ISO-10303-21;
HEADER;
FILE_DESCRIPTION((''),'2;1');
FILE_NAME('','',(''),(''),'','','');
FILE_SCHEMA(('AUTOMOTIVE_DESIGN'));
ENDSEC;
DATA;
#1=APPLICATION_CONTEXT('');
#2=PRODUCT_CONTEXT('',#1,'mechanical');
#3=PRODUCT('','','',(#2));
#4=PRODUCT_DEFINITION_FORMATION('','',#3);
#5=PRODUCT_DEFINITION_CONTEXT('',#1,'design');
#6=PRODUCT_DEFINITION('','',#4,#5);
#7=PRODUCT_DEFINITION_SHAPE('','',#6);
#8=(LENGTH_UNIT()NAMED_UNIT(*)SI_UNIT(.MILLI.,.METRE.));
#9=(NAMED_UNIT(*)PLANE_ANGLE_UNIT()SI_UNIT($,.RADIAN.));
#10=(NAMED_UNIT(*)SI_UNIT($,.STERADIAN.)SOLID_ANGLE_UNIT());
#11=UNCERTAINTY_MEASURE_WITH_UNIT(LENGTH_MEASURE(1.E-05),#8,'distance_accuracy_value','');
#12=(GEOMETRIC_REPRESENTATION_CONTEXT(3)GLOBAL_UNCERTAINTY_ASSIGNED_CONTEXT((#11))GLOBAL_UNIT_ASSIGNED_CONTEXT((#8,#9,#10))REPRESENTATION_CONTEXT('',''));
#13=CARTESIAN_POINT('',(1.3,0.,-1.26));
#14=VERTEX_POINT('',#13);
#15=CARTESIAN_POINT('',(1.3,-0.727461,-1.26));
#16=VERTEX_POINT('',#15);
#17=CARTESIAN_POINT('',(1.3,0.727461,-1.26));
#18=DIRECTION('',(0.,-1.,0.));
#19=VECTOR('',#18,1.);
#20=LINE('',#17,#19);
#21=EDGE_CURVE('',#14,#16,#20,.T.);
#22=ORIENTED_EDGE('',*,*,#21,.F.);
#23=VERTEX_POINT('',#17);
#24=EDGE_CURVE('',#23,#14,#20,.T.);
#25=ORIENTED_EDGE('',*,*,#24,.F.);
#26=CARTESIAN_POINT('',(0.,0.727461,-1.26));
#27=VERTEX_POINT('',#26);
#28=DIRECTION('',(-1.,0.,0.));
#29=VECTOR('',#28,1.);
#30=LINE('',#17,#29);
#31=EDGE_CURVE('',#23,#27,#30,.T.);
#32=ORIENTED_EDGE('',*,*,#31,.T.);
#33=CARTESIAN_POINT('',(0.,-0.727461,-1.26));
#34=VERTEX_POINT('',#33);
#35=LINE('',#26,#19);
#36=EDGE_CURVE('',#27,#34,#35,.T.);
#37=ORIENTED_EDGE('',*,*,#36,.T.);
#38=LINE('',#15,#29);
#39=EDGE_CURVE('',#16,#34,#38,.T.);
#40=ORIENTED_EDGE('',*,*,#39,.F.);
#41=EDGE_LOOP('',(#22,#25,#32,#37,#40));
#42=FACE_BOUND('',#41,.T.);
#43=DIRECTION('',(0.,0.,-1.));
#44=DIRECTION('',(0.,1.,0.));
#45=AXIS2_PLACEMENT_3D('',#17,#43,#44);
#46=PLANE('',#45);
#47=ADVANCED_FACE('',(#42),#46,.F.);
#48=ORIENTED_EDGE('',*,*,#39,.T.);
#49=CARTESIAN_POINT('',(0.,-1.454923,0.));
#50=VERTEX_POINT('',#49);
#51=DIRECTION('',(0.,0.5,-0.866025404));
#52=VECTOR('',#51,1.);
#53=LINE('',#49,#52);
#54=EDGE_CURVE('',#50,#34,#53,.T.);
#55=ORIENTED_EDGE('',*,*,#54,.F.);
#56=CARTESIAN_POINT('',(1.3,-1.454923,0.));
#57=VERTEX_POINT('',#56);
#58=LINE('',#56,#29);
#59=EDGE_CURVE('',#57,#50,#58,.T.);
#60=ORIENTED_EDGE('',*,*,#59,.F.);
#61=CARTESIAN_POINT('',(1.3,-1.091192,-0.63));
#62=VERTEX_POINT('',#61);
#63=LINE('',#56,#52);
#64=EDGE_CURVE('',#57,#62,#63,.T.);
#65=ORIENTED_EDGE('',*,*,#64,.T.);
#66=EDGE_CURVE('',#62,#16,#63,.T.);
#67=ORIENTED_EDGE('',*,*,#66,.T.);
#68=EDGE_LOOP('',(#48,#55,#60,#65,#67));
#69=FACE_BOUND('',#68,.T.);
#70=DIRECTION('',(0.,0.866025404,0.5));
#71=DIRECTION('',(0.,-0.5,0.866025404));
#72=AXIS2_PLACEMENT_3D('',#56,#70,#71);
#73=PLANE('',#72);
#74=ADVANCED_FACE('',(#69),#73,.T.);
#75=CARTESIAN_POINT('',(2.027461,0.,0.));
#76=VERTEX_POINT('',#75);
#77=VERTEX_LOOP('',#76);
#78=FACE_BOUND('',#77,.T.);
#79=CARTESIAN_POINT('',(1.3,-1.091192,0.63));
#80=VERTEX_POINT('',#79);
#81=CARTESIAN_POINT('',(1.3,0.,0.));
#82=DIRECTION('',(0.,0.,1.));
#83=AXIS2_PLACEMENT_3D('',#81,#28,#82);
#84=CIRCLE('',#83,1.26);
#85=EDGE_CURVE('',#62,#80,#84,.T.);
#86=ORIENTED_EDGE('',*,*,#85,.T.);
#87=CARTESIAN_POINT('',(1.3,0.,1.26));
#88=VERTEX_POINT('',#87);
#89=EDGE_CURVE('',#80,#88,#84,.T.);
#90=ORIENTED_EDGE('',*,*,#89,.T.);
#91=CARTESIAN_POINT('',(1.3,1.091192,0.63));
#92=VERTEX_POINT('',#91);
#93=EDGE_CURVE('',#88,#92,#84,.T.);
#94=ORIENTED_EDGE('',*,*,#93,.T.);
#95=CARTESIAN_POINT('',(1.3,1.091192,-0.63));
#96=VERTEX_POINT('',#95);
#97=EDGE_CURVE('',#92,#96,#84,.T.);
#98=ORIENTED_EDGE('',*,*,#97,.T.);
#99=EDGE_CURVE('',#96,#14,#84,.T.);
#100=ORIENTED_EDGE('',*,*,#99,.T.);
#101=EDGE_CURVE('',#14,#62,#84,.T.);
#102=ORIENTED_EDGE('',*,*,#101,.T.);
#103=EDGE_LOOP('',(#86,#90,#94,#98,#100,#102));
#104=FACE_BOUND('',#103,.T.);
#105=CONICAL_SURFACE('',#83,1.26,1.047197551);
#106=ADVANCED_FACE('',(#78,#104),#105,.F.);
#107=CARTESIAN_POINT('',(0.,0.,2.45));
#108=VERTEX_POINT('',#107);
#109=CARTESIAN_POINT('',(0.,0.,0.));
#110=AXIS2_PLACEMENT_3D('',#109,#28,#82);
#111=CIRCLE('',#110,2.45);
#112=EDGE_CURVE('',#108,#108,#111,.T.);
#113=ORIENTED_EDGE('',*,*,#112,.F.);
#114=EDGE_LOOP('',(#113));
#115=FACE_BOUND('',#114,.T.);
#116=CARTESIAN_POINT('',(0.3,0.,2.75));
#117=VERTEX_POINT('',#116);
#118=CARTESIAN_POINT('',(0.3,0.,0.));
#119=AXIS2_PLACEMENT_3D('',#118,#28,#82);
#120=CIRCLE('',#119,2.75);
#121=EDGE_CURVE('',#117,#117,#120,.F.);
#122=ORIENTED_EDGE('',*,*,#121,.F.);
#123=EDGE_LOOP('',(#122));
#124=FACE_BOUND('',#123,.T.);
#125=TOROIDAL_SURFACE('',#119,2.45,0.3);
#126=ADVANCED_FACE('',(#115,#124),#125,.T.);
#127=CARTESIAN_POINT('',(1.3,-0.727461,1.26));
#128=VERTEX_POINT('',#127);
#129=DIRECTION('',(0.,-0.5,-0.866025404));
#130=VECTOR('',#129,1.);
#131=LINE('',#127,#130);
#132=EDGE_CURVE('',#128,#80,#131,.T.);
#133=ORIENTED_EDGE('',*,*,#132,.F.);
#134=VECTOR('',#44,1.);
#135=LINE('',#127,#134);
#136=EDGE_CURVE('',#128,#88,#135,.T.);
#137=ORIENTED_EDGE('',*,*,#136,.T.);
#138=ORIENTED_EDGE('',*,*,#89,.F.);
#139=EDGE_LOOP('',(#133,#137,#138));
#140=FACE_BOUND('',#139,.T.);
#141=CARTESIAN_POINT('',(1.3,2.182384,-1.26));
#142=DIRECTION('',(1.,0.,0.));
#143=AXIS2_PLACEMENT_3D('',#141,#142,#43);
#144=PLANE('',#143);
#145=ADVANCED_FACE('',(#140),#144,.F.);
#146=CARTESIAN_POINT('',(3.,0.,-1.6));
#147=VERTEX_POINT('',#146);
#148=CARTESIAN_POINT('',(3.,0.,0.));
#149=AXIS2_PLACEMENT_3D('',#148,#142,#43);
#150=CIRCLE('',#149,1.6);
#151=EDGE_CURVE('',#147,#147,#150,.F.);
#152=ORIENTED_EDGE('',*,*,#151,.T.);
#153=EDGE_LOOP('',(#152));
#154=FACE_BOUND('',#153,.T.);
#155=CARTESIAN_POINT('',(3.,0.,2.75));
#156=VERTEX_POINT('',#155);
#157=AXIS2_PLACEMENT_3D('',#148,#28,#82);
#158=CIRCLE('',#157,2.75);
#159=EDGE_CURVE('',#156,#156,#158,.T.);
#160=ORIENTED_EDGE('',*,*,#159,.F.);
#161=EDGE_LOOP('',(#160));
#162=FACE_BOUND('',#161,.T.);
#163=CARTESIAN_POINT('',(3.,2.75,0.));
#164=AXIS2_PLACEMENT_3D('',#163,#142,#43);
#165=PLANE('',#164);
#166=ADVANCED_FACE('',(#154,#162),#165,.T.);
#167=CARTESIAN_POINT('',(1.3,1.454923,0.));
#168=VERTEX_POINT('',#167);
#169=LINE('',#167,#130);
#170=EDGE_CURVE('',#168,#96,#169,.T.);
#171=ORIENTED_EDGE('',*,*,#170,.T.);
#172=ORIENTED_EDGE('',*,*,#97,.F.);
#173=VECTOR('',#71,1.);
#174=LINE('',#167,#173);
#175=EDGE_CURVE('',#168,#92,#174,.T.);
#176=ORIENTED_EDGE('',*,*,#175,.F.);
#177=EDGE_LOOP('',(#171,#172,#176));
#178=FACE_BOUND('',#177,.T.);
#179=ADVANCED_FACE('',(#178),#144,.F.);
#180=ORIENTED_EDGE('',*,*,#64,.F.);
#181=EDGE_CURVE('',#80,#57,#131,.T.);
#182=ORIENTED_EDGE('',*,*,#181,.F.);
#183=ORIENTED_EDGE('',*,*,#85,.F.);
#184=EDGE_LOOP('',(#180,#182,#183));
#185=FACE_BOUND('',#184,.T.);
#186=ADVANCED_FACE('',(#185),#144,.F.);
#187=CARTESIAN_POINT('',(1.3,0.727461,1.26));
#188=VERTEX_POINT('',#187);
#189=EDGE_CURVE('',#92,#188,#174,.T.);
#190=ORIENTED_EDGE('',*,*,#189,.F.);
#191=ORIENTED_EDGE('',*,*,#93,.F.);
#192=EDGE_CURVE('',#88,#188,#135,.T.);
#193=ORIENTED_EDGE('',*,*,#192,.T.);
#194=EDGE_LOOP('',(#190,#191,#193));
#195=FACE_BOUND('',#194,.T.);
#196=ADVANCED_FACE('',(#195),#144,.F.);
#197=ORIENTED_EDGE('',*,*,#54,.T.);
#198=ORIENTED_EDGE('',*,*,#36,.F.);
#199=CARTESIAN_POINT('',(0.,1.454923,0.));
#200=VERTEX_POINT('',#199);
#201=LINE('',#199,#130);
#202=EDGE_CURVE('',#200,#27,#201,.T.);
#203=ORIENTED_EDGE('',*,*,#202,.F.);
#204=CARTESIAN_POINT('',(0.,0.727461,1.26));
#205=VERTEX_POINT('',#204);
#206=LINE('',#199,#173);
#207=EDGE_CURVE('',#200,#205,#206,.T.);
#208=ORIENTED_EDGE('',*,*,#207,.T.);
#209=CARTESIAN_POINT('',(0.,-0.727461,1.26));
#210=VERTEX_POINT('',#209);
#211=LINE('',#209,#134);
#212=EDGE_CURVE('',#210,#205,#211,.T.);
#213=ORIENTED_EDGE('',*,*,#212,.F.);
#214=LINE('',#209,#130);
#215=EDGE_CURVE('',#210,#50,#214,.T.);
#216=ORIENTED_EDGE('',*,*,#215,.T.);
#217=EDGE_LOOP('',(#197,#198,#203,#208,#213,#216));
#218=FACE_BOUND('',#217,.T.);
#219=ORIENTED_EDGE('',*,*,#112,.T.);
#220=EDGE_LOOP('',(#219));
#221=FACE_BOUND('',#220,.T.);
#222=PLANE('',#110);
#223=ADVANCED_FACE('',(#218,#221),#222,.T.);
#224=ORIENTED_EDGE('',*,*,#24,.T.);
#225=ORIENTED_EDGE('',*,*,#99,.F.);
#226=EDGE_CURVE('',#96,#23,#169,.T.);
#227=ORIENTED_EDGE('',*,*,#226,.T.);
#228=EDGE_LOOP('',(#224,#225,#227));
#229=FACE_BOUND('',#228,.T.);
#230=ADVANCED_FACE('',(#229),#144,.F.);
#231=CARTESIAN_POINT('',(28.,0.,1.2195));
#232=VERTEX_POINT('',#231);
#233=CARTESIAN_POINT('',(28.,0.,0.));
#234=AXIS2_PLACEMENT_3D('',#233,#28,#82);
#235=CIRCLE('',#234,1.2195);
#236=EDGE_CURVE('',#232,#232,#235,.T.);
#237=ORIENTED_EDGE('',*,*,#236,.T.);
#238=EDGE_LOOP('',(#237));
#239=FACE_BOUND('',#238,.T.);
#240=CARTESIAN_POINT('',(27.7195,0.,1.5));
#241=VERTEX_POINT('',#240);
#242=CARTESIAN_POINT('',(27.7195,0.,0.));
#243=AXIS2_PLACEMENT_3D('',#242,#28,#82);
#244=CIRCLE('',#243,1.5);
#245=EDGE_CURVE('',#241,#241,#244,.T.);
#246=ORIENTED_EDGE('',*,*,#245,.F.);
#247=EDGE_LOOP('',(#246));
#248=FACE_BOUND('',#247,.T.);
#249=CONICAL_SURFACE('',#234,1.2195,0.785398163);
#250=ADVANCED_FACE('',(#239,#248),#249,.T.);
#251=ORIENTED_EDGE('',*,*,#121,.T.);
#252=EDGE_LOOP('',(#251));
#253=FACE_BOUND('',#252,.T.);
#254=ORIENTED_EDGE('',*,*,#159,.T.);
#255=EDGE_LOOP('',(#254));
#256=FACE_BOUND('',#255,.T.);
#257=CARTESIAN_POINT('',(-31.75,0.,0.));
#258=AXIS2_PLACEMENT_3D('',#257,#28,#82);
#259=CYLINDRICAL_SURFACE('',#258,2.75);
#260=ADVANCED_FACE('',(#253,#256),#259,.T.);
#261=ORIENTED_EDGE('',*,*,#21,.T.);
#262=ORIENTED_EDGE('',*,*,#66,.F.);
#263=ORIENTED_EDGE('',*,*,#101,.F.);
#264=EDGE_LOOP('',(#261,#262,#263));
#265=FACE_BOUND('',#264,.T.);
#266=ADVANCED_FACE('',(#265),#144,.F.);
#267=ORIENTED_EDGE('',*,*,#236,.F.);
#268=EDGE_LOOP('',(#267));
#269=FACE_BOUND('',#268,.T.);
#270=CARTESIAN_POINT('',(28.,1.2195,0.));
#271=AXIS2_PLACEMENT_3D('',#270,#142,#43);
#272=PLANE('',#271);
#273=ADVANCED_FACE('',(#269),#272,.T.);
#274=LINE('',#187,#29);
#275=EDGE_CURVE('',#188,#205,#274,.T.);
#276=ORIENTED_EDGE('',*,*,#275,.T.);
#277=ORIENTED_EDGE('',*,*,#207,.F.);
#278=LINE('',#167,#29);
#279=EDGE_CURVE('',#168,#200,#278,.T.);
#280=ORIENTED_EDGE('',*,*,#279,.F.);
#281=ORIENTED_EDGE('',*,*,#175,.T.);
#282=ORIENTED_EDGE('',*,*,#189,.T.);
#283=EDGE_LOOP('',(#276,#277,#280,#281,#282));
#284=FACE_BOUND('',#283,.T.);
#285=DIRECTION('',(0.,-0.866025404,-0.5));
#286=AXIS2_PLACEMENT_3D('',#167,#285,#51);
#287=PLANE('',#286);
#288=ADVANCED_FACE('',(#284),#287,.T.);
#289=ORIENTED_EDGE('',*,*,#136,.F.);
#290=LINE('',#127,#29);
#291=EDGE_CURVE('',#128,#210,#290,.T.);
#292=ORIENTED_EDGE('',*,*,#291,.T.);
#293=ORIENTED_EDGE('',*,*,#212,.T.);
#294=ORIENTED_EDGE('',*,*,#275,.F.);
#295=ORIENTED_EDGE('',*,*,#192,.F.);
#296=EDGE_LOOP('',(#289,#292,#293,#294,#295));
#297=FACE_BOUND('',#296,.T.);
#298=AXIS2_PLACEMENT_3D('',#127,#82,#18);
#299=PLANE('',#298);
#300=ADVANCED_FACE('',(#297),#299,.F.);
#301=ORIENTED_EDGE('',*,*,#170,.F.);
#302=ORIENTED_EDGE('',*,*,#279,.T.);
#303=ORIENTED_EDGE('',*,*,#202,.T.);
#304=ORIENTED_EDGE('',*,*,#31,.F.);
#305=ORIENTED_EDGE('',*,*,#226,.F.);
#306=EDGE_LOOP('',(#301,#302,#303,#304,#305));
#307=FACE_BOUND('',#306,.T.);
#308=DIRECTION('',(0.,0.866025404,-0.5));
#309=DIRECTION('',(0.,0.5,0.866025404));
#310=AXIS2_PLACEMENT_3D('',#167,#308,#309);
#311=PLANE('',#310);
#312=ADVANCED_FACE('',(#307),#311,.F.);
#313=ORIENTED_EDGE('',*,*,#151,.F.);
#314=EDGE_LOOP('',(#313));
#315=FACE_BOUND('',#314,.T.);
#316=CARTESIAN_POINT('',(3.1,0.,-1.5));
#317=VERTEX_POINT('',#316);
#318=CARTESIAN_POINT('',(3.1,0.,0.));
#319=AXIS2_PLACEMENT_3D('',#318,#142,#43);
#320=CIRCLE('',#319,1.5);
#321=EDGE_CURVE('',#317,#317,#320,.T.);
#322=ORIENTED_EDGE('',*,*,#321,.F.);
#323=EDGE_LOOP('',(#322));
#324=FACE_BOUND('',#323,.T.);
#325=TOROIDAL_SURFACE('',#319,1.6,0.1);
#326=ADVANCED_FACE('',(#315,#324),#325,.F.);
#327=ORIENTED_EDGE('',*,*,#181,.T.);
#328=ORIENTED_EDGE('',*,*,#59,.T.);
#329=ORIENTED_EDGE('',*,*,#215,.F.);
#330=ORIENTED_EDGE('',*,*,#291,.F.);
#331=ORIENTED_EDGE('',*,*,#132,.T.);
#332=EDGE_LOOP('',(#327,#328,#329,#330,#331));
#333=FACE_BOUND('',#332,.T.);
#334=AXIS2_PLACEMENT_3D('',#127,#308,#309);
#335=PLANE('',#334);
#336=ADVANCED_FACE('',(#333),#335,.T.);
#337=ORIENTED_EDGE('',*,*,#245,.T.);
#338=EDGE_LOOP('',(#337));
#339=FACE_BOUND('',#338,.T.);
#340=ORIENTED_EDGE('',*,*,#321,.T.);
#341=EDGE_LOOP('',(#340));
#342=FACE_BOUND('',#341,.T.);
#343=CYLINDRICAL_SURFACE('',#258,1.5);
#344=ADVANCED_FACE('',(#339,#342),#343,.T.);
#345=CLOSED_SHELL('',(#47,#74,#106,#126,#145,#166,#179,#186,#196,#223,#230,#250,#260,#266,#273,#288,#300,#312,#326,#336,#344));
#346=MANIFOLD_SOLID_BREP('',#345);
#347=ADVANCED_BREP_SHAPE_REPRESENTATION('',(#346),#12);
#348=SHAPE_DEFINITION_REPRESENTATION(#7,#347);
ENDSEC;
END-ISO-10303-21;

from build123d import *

# Parameters (mm, degrees)
FILLET1_R   = 0.1
FILLET2_R   = 0.3
HEX_2_DEPTH = 1.3


with BuildPart() as part:
    # BodySke → Base-Revolve (revolve)
    with BuildSketch(Plane.XY):
        Polygon((0, 0), (0, 2.75), (3, 2.75), (3, 1.5), (27.7195, 1.5), (28, 1.2195), (28, 0), align=None)
    revolve(axis=Axis((-31.75, 0, 0), (1, 0, 0)))

    # Fillet1
    fillet1_edges = [part.edges().sort_by_distance(p)[0] for p in [
        (3, -1.5, 0),
    ]]
    fillet(fillet1_edges, radius=FILLET1_R)

    # Fillet2
    fillet2_edges = [part.edges().sort_by_distance(p)[0] for p in [
        (0, -2.75, 0),
    ]]
    fillet(fillet2_edges, radius=FILLET2_R)

    # Sketch2 → Hex-PreBroach (revolve, cut)
    with BuildSketch(Plane.XY):
        Polygon((0, 1.26), (1.3, 1.26), (2.027461339, 0), (0, 0), align=None)
    revolve(axis=Axis((0, 0, 0), (1, 0, 0)), mode=Mode.SUBTRACT)

    # Sketch3 → Hex 2 (cut)
    with BuildSketch(Plane(origin=(0, 0, 0), x_dir=(0, 0.5, 0.866025404), z_dir=(-1, 0, 0))):
        Polygon((0.727461339, 1.26), (-0.727461339, 1.26), (-1.454922678, 0), (-0.727461339, -1.26), (0.727461339, -1.26), (1.454922678, 0), align=None)
    extrude(amount=-HEX_2_DEPTH, mode=Mode.SUBTRACT)


solid = part.part
